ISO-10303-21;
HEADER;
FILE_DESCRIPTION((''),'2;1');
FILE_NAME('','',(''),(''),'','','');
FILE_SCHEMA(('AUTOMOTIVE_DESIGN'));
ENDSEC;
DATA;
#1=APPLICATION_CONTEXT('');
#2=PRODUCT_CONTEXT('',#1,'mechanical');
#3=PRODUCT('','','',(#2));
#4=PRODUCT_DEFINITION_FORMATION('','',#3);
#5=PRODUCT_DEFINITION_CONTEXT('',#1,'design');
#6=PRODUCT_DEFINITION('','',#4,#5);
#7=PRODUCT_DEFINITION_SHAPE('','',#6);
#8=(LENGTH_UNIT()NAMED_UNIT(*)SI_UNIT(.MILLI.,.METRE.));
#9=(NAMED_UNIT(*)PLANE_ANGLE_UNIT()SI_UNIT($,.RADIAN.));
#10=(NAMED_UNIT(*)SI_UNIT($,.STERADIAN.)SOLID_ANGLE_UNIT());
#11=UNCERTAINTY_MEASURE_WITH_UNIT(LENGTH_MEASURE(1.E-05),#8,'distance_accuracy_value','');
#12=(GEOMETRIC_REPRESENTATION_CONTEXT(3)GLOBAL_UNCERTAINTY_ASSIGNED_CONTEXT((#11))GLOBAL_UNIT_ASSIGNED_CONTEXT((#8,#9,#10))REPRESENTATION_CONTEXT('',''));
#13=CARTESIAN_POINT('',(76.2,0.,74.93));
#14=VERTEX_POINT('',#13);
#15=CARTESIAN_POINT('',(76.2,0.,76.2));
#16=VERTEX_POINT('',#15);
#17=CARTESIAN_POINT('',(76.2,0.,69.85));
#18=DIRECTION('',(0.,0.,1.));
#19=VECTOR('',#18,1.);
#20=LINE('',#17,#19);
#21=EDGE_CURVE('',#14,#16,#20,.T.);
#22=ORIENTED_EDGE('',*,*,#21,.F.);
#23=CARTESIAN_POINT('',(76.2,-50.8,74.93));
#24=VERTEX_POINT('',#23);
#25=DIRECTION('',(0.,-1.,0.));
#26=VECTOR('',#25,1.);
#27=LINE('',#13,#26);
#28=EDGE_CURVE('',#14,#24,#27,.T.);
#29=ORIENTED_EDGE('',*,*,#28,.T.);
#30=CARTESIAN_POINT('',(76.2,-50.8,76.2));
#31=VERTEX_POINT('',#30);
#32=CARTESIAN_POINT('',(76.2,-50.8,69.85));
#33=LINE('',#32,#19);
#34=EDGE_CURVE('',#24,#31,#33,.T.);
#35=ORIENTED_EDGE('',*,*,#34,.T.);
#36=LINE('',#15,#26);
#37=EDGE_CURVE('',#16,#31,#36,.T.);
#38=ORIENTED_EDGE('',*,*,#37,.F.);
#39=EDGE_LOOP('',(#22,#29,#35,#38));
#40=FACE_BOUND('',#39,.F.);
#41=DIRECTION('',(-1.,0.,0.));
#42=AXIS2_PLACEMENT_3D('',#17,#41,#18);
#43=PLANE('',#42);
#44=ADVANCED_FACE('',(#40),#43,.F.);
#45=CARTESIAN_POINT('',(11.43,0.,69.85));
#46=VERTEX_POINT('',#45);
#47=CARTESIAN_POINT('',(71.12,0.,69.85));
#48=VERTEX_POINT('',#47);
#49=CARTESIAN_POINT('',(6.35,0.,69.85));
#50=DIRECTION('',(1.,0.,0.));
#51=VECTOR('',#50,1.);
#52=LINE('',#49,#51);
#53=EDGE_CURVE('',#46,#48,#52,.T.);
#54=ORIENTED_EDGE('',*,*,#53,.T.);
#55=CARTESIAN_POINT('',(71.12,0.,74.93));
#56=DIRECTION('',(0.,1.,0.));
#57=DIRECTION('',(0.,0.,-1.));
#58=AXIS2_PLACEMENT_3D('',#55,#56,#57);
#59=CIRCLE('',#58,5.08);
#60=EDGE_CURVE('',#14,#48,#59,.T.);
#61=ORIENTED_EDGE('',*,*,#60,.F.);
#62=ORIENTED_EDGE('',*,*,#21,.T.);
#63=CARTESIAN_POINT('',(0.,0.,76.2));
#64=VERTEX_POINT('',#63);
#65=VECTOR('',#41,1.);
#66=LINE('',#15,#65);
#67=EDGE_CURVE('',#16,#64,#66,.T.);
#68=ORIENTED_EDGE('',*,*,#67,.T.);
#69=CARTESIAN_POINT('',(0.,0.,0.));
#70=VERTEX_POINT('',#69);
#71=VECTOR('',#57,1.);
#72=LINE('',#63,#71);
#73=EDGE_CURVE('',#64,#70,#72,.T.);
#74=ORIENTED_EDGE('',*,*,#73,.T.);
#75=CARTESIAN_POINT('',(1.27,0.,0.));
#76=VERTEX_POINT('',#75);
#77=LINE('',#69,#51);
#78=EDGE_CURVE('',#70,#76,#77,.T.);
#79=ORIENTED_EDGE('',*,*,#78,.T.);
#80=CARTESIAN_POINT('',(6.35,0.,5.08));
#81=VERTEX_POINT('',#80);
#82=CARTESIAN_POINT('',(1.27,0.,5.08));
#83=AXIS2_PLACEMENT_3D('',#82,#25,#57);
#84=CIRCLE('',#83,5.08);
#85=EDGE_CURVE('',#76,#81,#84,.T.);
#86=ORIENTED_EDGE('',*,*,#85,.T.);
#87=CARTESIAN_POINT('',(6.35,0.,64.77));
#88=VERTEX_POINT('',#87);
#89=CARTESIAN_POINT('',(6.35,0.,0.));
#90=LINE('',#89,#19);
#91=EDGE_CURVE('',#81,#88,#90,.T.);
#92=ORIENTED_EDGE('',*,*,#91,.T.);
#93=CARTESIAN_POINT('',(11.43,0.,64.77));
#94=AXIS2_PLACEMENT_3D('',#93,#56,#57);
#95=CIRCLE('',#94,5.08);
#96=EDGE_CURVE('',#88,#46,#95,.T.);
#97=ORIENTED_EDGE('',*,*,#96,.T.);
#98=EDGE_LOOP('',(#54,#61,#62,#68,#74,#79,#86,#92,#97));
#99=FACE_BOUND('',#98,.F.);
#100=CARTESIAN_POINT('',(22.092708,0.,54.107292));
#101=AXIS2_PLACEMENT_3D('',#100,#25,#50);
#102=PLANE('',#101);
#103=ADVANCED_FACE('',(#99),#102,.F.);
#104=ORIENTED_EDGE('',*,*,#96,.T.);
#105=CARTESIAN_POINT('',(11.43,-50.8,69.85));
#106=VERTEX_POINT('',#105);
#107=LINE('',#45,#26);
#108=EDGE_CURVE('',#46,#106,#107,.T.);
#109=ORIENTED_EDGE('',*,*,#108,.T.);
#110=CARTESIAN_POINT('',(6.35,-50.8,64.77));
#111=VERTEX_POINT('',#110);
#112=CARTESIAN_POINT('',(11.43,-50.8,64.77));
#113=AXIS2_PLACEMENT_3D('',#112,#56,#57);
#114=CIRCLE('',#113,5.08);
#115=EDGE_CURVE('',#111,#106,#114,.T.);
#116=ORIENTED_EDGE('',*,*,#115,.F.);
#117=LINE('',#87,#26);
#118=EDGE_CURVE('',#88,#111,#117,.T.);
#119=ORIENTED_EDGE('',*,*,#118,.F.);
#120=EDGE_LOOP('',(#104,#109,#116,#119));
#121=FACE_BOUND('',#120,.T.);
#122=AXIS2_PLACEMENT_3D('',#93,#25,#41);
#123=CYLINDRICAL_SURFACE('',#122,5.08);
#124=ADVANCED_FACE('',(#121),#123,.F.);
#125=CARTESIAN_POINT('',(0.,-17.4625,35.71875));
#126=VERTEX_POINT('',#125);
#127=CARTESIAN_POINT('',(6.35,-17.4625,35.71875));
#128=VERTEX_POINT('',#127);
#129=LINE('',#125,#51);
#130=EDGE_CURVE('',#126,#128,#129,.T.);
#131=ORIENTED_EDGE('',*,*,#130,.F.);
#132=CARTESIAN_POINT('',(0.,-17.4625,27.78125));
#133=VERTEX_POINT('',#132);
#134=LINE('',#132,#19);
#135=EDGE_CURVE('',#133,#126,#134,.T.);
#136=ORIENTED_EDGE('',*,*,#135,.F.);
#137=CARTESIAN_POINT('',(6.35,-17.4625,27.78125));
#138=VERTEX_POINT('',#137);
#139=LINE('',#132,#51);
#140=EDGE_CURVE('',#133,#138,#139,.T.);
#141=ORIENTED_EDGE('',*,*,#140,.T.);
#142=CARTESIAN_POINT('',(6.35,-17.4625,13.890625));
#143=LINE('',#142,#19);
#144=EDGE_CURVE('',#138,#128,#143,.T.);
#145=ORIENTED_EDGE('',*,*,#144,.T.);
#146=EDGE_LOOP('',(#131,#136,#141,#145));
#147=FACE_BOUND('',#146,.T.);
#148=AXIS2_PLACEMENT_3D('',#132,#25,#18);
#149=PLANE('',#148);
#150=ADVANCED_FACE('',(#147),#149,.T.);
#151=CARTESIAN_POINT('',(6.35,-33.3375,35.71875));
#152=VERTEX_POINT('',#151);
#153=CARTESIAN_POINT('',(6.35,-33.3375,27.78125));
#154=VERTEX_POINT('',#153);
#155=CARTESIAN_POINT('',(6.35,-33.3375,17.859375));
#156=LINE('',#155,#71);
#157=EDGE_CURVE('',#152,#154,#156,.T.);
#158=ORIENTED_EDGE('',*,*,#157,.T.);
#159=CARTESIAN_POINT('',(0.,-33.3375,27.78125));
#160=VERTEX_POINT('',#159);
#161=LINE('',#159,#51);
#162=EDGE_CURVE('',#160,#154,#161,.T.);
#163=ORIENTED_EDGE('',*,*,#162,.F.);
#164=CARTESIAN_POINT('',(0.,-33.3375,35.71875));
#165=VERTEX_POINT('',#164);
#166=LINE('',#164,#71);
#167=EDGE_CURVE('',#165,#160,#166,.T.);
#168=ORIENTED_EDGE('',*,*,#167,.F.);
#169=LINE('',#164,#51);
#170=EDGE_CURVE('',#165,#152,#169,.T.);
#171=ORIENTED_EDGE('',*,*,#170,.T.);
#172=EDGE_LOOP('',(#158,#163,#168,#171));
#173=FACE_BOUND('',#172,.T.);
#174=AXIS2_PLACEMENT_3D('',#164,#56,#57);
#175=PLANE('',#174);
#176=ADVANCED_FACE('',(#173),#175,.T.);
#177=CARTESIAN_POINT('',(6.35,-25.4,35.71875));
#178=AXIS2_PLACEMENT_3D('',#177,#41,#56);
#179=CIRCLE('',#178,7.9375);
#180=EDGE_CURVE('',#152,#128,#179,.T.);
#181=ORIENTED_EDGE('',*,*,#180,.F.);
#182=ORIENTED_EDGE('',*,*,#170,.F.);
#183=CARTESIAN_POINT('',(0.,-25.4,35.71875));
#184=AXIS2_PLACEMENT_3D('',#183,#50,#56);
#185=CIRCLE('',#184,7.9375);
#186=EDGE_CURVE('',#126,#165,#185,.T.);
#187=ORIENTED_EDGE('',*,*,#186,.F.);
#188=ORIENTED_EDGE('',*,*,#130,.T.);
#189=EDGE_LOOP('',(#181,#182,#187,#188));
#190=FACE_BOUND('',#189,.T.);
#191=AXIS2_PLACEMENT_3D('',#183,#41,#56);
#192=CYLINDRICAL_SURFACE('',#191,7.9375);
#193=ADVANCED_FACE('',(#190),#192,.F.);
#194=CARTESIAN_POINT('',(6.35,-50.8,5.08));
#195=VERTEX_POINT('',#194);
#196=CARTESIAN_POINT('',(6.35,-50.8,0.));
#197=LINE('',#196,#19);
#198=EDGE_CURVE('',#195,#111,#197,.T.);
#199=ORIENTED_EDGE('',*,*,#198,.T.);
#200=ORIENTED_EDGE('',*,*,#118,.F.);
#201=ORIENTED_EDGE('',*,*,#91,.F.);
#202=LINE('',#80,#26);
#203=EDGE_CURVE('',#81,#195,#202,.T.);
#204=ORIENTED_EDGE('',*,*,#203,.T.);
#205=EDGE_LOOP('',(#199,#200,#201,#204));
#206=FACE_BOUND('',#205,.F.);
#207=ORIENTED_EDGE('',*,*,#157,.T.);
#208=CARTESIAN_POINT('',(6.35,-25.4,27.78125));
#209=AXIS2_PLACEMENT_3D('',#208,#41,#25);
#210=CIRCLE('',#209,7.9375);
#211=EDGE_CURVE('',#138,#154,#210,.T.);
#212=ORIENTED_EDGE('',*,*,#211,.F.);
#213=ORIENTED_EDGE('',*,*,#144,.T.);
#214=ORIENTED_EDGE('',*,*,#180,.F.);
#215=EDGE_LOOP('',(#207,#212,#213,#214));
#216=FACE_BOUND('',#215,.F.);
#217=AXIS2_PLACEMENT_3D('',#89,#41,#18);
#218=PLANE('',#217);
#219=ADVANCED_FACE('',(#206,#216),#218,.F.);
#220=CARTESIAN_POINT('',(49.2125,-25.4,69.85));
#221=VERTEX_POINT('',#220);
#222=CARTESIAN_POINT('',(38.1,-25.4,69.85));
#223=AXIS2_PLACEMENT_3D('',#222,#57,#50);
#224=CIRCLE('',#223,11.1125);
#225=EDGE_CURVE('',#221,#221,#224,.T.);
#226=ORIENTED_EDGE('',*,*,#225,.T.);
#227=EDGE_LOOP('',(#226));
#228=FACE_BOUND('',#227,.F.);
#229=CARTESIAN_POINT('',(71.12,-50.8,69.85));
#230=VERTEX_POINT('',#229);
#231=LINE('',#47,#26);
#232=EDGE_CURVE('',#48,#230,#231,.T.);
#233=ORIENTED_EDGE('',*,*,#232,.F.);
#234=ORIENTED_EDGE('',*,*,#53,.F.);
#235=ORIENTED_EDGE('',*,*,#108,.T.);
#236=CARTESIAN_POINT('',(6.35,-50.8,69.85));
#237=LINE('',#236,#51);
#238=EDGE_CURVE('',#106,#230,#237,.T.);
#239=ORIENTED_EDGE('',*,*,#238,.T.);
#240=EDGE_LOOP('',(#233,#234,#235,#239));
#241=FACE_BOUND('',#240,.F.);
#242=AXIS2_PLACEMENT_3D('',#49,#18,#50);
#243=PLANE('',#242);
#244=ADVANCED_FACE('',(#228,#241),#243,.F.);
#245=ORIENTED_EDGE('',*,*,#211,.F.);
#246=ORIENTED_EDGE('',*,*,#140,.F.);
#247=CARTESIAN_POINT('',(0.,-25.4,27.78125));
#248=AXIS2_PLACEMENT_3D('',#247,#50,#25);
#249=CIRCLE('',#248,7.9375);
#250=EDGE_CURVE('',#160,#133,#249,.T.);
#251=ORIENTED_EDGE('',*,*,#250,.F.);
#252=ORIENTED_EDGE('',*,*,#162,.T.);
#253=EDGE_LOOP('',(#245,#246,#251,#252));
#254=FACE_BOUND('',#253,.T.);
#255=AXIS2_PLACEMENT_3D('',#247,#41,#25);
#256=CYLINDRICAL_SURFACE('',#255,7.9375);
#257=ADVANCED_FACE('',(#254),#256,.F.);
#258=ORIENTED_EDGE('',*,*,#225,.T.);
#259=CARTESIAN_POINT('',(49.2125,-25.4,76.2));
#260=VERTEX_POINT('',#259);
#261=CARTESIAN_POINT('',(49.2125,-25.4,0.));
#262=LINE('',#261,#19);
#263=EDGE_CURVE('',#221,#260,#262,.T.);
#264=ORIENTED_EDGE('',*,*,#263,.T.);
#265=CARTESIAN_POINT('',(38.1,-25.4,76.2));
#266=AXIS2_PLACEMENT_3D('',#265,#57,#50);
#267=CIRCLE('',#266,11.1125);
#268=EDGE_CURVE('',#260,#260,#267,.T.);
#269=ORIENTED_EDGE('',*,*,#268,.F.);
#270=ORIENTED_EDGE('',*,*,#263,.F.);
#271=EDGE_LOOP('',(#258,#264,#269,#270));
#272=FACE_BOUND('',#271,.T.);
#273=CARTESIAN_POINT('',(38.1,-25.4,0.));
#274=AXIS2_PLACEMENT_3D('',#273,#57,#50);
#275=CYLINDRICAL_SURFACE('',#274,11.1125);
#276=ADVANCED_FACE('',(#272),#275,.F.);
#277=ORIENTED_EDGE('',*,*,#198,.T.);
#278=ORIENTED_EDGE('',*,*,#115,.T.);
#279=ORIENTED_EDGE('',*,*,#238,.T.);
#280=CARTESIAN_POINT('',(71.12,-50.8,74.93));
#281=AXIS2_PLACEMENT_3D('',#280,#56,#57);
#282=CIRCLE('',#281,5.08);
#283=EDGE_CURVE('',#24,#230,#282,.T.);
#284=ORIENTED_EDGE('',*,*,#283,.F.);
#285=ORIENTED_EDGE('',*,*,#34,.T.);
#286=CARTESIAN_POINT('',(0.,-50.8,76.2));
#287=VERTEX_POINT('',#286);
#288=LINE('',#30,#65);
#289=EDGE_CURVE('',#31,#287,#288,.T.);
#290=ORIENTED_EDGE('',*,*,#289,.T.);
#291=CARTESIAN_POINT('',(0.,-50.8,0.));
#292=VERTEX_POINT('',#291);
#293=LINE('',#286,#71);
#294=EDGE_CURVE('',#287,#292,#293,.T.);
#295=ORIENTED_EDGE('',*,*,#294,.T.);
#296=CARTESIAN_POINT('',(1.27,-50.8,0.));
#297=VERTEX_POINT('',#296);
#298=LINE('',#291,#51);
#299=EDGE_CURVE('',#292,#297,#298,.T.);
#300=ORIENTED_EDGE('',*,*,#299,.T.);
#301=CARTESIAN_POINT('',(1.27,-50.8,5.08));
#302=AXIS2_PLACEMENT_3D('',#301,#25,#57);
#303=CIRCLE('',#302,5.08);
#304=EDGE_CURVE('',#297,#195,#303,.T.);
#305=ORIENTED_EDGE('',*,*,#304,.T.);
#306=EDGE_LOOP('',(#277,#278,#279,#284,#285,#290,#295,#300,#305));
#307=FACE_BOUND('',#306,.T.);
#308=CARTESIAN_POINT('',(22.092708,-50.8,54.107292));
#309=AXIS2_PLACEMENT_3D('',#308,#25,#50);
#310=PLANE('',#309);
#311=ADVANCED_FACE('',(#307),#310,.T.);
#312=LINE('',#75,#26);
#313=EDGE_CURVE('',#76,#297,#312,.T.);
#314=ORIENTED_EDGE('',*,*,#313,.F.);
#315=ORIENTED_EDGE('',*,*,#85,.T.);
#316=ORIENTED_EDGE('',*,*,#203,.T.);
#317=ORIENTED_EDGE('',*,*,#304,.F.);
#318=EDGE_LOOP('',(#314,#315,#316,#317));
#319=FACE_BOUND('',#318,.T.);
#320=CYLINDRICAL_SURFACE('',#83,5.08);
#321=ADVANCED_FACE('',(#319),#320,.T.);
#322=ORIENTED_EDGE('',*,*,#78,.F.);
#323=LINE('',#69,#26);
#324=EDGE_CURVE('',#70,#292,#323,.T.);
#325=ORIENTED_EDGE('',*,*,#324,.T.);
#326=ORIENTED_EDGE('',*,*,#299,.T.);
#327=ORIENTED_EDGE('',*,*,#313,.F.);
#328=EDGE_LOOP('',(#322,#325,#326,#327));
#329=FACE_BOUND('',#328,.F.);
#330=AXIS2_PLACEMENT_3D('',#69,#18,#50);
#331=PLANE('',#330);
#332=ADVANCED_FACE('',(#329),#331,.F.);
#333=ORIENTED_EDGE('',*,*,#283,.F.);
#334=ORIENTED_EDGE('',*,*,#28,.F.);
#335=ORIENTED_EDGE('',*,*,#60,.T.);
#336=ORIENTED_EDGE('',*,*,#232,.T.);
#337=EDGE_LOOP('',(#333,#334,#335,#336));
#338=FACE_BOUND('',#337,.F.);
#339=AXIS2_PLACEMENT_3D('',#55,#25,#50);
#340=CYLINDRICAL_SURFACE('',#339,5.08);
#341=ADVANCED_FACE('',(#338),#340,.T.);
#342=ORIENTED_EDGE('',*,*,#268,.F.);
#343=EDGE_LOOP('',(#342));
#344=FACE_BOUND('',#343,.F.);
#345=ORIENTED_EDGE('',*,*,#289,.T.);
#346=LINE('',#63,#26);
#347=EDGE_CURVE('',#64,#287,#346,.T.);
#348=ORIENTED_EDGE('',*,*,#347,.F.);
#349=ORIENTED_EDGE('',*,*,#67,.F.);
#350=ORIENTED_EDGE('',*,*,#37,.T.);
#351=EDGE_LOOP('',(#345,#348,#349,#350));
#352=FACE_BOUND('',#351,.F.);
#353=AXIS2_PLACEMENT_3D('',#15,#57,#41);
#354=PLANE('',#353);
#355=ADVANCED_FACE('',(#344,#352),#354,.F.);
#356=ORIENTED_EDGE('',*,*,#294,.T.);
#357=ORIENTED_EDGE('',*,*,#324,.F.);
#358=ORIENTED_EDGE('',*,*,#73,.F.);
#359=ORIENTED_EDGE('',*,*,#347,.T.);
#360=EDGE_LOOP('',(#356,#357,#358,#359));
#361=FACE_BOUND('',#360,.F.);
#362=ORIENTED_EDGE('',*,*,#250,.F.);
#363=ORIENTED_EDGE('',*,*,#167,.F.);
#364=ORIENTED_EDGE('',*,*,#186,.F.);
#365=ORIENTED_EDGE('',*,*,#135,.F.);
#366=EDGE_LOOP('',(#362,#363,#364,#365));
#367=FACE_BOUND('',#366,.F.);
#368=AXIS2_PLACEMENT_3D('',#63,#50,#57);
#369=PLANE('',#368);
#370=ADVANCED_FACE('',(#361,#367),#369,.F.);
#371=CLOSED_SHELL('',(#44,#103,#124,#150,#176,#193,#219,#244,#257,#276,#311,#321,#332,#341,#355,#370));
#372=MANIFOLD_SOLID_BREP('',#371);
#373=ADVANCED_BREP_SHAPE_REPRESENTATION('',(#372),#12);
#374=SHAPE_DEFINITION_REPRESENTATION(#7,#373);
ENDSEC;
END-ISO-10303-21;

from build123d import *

# Parameters (mm, degrees)
F1_DEPTH  = 50.8
F3_DEPTH  = 76.201
F4_R      = 11.1125
F1_FACE_W = 76.2
F1_FACE_H = 50.8
F5_DEPTH  = 76.201
F6_R      = 5.08


with BuildPart() as f1:
    # F0 (on Front) → F1 (new body)
    with BuildSketch(Plane.XZ):
        Polygon((0, 76.2), (0, 0), (6.35, 0), (6.35, 69.85), (76.2, 69.85), (76.2, 76.2), align=None)
    extrude(amount=F1_DEPTH)

    # F2 (on Right) → F3 (cut, through all)
    with BuildSketch(Plane.YZ):
        with BuildLine():
            Line((-33.3375, 31.75), (-33.3375, 27.78125))
            ThreePointArc((-33.3375, 27.78125), (-25.4, 19.84375), (-17.4625, 27.78125))
            Line((-17.4625, 27.78125), (-17.4625, 31.75))
            Line((-17.4625, 31.75), (-33.3375, 31.75))
        make_face()
        with BuildLine():
            Line((-33.3375, 35.71875), (-33.3375, 31.75))
            Line((-33.3375, 31.75), (-17.4625, 31.75))
            Line((-17.4625, 31.75), (-17.4625, 35.71875))
            ThreePointArc((-17.4625, 35.71875), (-25.4, 43.65625), (-33.3375, 35.71875))
        make_face()
    extrude(amount=F3_DEPTH, mode=Mode.SUBTRACT)

    # F4 (on Top) + F1_face (on face) → F5 (cut, through all)
    with BuildSketch(Plane.XY):
        with Locations((38.1, -25.4)):
            Circle(F4_R)
    with BuildSketch(Plane(origin=(38.1, -25.4, 76.2), x_dir=(1, 0, 0), z_dir=(0, 0, 1))):
        Rectangle(F1_FACE_W, F1_FACE_H)
    extrude(amount=F5_DEPTH, mode=Mode.SUBTRACT)

    # F6
    f6_edges = [f1.edges().sort_by_distance(p)[0] for p in [
        (6.35, -25.4, 69.85),
        (76.2, -25.4, 69.85),
        (6.35, -25.4, 0),
    ]]
    fillet(f6_edges, radius=F6_R)


solid = f1.part
